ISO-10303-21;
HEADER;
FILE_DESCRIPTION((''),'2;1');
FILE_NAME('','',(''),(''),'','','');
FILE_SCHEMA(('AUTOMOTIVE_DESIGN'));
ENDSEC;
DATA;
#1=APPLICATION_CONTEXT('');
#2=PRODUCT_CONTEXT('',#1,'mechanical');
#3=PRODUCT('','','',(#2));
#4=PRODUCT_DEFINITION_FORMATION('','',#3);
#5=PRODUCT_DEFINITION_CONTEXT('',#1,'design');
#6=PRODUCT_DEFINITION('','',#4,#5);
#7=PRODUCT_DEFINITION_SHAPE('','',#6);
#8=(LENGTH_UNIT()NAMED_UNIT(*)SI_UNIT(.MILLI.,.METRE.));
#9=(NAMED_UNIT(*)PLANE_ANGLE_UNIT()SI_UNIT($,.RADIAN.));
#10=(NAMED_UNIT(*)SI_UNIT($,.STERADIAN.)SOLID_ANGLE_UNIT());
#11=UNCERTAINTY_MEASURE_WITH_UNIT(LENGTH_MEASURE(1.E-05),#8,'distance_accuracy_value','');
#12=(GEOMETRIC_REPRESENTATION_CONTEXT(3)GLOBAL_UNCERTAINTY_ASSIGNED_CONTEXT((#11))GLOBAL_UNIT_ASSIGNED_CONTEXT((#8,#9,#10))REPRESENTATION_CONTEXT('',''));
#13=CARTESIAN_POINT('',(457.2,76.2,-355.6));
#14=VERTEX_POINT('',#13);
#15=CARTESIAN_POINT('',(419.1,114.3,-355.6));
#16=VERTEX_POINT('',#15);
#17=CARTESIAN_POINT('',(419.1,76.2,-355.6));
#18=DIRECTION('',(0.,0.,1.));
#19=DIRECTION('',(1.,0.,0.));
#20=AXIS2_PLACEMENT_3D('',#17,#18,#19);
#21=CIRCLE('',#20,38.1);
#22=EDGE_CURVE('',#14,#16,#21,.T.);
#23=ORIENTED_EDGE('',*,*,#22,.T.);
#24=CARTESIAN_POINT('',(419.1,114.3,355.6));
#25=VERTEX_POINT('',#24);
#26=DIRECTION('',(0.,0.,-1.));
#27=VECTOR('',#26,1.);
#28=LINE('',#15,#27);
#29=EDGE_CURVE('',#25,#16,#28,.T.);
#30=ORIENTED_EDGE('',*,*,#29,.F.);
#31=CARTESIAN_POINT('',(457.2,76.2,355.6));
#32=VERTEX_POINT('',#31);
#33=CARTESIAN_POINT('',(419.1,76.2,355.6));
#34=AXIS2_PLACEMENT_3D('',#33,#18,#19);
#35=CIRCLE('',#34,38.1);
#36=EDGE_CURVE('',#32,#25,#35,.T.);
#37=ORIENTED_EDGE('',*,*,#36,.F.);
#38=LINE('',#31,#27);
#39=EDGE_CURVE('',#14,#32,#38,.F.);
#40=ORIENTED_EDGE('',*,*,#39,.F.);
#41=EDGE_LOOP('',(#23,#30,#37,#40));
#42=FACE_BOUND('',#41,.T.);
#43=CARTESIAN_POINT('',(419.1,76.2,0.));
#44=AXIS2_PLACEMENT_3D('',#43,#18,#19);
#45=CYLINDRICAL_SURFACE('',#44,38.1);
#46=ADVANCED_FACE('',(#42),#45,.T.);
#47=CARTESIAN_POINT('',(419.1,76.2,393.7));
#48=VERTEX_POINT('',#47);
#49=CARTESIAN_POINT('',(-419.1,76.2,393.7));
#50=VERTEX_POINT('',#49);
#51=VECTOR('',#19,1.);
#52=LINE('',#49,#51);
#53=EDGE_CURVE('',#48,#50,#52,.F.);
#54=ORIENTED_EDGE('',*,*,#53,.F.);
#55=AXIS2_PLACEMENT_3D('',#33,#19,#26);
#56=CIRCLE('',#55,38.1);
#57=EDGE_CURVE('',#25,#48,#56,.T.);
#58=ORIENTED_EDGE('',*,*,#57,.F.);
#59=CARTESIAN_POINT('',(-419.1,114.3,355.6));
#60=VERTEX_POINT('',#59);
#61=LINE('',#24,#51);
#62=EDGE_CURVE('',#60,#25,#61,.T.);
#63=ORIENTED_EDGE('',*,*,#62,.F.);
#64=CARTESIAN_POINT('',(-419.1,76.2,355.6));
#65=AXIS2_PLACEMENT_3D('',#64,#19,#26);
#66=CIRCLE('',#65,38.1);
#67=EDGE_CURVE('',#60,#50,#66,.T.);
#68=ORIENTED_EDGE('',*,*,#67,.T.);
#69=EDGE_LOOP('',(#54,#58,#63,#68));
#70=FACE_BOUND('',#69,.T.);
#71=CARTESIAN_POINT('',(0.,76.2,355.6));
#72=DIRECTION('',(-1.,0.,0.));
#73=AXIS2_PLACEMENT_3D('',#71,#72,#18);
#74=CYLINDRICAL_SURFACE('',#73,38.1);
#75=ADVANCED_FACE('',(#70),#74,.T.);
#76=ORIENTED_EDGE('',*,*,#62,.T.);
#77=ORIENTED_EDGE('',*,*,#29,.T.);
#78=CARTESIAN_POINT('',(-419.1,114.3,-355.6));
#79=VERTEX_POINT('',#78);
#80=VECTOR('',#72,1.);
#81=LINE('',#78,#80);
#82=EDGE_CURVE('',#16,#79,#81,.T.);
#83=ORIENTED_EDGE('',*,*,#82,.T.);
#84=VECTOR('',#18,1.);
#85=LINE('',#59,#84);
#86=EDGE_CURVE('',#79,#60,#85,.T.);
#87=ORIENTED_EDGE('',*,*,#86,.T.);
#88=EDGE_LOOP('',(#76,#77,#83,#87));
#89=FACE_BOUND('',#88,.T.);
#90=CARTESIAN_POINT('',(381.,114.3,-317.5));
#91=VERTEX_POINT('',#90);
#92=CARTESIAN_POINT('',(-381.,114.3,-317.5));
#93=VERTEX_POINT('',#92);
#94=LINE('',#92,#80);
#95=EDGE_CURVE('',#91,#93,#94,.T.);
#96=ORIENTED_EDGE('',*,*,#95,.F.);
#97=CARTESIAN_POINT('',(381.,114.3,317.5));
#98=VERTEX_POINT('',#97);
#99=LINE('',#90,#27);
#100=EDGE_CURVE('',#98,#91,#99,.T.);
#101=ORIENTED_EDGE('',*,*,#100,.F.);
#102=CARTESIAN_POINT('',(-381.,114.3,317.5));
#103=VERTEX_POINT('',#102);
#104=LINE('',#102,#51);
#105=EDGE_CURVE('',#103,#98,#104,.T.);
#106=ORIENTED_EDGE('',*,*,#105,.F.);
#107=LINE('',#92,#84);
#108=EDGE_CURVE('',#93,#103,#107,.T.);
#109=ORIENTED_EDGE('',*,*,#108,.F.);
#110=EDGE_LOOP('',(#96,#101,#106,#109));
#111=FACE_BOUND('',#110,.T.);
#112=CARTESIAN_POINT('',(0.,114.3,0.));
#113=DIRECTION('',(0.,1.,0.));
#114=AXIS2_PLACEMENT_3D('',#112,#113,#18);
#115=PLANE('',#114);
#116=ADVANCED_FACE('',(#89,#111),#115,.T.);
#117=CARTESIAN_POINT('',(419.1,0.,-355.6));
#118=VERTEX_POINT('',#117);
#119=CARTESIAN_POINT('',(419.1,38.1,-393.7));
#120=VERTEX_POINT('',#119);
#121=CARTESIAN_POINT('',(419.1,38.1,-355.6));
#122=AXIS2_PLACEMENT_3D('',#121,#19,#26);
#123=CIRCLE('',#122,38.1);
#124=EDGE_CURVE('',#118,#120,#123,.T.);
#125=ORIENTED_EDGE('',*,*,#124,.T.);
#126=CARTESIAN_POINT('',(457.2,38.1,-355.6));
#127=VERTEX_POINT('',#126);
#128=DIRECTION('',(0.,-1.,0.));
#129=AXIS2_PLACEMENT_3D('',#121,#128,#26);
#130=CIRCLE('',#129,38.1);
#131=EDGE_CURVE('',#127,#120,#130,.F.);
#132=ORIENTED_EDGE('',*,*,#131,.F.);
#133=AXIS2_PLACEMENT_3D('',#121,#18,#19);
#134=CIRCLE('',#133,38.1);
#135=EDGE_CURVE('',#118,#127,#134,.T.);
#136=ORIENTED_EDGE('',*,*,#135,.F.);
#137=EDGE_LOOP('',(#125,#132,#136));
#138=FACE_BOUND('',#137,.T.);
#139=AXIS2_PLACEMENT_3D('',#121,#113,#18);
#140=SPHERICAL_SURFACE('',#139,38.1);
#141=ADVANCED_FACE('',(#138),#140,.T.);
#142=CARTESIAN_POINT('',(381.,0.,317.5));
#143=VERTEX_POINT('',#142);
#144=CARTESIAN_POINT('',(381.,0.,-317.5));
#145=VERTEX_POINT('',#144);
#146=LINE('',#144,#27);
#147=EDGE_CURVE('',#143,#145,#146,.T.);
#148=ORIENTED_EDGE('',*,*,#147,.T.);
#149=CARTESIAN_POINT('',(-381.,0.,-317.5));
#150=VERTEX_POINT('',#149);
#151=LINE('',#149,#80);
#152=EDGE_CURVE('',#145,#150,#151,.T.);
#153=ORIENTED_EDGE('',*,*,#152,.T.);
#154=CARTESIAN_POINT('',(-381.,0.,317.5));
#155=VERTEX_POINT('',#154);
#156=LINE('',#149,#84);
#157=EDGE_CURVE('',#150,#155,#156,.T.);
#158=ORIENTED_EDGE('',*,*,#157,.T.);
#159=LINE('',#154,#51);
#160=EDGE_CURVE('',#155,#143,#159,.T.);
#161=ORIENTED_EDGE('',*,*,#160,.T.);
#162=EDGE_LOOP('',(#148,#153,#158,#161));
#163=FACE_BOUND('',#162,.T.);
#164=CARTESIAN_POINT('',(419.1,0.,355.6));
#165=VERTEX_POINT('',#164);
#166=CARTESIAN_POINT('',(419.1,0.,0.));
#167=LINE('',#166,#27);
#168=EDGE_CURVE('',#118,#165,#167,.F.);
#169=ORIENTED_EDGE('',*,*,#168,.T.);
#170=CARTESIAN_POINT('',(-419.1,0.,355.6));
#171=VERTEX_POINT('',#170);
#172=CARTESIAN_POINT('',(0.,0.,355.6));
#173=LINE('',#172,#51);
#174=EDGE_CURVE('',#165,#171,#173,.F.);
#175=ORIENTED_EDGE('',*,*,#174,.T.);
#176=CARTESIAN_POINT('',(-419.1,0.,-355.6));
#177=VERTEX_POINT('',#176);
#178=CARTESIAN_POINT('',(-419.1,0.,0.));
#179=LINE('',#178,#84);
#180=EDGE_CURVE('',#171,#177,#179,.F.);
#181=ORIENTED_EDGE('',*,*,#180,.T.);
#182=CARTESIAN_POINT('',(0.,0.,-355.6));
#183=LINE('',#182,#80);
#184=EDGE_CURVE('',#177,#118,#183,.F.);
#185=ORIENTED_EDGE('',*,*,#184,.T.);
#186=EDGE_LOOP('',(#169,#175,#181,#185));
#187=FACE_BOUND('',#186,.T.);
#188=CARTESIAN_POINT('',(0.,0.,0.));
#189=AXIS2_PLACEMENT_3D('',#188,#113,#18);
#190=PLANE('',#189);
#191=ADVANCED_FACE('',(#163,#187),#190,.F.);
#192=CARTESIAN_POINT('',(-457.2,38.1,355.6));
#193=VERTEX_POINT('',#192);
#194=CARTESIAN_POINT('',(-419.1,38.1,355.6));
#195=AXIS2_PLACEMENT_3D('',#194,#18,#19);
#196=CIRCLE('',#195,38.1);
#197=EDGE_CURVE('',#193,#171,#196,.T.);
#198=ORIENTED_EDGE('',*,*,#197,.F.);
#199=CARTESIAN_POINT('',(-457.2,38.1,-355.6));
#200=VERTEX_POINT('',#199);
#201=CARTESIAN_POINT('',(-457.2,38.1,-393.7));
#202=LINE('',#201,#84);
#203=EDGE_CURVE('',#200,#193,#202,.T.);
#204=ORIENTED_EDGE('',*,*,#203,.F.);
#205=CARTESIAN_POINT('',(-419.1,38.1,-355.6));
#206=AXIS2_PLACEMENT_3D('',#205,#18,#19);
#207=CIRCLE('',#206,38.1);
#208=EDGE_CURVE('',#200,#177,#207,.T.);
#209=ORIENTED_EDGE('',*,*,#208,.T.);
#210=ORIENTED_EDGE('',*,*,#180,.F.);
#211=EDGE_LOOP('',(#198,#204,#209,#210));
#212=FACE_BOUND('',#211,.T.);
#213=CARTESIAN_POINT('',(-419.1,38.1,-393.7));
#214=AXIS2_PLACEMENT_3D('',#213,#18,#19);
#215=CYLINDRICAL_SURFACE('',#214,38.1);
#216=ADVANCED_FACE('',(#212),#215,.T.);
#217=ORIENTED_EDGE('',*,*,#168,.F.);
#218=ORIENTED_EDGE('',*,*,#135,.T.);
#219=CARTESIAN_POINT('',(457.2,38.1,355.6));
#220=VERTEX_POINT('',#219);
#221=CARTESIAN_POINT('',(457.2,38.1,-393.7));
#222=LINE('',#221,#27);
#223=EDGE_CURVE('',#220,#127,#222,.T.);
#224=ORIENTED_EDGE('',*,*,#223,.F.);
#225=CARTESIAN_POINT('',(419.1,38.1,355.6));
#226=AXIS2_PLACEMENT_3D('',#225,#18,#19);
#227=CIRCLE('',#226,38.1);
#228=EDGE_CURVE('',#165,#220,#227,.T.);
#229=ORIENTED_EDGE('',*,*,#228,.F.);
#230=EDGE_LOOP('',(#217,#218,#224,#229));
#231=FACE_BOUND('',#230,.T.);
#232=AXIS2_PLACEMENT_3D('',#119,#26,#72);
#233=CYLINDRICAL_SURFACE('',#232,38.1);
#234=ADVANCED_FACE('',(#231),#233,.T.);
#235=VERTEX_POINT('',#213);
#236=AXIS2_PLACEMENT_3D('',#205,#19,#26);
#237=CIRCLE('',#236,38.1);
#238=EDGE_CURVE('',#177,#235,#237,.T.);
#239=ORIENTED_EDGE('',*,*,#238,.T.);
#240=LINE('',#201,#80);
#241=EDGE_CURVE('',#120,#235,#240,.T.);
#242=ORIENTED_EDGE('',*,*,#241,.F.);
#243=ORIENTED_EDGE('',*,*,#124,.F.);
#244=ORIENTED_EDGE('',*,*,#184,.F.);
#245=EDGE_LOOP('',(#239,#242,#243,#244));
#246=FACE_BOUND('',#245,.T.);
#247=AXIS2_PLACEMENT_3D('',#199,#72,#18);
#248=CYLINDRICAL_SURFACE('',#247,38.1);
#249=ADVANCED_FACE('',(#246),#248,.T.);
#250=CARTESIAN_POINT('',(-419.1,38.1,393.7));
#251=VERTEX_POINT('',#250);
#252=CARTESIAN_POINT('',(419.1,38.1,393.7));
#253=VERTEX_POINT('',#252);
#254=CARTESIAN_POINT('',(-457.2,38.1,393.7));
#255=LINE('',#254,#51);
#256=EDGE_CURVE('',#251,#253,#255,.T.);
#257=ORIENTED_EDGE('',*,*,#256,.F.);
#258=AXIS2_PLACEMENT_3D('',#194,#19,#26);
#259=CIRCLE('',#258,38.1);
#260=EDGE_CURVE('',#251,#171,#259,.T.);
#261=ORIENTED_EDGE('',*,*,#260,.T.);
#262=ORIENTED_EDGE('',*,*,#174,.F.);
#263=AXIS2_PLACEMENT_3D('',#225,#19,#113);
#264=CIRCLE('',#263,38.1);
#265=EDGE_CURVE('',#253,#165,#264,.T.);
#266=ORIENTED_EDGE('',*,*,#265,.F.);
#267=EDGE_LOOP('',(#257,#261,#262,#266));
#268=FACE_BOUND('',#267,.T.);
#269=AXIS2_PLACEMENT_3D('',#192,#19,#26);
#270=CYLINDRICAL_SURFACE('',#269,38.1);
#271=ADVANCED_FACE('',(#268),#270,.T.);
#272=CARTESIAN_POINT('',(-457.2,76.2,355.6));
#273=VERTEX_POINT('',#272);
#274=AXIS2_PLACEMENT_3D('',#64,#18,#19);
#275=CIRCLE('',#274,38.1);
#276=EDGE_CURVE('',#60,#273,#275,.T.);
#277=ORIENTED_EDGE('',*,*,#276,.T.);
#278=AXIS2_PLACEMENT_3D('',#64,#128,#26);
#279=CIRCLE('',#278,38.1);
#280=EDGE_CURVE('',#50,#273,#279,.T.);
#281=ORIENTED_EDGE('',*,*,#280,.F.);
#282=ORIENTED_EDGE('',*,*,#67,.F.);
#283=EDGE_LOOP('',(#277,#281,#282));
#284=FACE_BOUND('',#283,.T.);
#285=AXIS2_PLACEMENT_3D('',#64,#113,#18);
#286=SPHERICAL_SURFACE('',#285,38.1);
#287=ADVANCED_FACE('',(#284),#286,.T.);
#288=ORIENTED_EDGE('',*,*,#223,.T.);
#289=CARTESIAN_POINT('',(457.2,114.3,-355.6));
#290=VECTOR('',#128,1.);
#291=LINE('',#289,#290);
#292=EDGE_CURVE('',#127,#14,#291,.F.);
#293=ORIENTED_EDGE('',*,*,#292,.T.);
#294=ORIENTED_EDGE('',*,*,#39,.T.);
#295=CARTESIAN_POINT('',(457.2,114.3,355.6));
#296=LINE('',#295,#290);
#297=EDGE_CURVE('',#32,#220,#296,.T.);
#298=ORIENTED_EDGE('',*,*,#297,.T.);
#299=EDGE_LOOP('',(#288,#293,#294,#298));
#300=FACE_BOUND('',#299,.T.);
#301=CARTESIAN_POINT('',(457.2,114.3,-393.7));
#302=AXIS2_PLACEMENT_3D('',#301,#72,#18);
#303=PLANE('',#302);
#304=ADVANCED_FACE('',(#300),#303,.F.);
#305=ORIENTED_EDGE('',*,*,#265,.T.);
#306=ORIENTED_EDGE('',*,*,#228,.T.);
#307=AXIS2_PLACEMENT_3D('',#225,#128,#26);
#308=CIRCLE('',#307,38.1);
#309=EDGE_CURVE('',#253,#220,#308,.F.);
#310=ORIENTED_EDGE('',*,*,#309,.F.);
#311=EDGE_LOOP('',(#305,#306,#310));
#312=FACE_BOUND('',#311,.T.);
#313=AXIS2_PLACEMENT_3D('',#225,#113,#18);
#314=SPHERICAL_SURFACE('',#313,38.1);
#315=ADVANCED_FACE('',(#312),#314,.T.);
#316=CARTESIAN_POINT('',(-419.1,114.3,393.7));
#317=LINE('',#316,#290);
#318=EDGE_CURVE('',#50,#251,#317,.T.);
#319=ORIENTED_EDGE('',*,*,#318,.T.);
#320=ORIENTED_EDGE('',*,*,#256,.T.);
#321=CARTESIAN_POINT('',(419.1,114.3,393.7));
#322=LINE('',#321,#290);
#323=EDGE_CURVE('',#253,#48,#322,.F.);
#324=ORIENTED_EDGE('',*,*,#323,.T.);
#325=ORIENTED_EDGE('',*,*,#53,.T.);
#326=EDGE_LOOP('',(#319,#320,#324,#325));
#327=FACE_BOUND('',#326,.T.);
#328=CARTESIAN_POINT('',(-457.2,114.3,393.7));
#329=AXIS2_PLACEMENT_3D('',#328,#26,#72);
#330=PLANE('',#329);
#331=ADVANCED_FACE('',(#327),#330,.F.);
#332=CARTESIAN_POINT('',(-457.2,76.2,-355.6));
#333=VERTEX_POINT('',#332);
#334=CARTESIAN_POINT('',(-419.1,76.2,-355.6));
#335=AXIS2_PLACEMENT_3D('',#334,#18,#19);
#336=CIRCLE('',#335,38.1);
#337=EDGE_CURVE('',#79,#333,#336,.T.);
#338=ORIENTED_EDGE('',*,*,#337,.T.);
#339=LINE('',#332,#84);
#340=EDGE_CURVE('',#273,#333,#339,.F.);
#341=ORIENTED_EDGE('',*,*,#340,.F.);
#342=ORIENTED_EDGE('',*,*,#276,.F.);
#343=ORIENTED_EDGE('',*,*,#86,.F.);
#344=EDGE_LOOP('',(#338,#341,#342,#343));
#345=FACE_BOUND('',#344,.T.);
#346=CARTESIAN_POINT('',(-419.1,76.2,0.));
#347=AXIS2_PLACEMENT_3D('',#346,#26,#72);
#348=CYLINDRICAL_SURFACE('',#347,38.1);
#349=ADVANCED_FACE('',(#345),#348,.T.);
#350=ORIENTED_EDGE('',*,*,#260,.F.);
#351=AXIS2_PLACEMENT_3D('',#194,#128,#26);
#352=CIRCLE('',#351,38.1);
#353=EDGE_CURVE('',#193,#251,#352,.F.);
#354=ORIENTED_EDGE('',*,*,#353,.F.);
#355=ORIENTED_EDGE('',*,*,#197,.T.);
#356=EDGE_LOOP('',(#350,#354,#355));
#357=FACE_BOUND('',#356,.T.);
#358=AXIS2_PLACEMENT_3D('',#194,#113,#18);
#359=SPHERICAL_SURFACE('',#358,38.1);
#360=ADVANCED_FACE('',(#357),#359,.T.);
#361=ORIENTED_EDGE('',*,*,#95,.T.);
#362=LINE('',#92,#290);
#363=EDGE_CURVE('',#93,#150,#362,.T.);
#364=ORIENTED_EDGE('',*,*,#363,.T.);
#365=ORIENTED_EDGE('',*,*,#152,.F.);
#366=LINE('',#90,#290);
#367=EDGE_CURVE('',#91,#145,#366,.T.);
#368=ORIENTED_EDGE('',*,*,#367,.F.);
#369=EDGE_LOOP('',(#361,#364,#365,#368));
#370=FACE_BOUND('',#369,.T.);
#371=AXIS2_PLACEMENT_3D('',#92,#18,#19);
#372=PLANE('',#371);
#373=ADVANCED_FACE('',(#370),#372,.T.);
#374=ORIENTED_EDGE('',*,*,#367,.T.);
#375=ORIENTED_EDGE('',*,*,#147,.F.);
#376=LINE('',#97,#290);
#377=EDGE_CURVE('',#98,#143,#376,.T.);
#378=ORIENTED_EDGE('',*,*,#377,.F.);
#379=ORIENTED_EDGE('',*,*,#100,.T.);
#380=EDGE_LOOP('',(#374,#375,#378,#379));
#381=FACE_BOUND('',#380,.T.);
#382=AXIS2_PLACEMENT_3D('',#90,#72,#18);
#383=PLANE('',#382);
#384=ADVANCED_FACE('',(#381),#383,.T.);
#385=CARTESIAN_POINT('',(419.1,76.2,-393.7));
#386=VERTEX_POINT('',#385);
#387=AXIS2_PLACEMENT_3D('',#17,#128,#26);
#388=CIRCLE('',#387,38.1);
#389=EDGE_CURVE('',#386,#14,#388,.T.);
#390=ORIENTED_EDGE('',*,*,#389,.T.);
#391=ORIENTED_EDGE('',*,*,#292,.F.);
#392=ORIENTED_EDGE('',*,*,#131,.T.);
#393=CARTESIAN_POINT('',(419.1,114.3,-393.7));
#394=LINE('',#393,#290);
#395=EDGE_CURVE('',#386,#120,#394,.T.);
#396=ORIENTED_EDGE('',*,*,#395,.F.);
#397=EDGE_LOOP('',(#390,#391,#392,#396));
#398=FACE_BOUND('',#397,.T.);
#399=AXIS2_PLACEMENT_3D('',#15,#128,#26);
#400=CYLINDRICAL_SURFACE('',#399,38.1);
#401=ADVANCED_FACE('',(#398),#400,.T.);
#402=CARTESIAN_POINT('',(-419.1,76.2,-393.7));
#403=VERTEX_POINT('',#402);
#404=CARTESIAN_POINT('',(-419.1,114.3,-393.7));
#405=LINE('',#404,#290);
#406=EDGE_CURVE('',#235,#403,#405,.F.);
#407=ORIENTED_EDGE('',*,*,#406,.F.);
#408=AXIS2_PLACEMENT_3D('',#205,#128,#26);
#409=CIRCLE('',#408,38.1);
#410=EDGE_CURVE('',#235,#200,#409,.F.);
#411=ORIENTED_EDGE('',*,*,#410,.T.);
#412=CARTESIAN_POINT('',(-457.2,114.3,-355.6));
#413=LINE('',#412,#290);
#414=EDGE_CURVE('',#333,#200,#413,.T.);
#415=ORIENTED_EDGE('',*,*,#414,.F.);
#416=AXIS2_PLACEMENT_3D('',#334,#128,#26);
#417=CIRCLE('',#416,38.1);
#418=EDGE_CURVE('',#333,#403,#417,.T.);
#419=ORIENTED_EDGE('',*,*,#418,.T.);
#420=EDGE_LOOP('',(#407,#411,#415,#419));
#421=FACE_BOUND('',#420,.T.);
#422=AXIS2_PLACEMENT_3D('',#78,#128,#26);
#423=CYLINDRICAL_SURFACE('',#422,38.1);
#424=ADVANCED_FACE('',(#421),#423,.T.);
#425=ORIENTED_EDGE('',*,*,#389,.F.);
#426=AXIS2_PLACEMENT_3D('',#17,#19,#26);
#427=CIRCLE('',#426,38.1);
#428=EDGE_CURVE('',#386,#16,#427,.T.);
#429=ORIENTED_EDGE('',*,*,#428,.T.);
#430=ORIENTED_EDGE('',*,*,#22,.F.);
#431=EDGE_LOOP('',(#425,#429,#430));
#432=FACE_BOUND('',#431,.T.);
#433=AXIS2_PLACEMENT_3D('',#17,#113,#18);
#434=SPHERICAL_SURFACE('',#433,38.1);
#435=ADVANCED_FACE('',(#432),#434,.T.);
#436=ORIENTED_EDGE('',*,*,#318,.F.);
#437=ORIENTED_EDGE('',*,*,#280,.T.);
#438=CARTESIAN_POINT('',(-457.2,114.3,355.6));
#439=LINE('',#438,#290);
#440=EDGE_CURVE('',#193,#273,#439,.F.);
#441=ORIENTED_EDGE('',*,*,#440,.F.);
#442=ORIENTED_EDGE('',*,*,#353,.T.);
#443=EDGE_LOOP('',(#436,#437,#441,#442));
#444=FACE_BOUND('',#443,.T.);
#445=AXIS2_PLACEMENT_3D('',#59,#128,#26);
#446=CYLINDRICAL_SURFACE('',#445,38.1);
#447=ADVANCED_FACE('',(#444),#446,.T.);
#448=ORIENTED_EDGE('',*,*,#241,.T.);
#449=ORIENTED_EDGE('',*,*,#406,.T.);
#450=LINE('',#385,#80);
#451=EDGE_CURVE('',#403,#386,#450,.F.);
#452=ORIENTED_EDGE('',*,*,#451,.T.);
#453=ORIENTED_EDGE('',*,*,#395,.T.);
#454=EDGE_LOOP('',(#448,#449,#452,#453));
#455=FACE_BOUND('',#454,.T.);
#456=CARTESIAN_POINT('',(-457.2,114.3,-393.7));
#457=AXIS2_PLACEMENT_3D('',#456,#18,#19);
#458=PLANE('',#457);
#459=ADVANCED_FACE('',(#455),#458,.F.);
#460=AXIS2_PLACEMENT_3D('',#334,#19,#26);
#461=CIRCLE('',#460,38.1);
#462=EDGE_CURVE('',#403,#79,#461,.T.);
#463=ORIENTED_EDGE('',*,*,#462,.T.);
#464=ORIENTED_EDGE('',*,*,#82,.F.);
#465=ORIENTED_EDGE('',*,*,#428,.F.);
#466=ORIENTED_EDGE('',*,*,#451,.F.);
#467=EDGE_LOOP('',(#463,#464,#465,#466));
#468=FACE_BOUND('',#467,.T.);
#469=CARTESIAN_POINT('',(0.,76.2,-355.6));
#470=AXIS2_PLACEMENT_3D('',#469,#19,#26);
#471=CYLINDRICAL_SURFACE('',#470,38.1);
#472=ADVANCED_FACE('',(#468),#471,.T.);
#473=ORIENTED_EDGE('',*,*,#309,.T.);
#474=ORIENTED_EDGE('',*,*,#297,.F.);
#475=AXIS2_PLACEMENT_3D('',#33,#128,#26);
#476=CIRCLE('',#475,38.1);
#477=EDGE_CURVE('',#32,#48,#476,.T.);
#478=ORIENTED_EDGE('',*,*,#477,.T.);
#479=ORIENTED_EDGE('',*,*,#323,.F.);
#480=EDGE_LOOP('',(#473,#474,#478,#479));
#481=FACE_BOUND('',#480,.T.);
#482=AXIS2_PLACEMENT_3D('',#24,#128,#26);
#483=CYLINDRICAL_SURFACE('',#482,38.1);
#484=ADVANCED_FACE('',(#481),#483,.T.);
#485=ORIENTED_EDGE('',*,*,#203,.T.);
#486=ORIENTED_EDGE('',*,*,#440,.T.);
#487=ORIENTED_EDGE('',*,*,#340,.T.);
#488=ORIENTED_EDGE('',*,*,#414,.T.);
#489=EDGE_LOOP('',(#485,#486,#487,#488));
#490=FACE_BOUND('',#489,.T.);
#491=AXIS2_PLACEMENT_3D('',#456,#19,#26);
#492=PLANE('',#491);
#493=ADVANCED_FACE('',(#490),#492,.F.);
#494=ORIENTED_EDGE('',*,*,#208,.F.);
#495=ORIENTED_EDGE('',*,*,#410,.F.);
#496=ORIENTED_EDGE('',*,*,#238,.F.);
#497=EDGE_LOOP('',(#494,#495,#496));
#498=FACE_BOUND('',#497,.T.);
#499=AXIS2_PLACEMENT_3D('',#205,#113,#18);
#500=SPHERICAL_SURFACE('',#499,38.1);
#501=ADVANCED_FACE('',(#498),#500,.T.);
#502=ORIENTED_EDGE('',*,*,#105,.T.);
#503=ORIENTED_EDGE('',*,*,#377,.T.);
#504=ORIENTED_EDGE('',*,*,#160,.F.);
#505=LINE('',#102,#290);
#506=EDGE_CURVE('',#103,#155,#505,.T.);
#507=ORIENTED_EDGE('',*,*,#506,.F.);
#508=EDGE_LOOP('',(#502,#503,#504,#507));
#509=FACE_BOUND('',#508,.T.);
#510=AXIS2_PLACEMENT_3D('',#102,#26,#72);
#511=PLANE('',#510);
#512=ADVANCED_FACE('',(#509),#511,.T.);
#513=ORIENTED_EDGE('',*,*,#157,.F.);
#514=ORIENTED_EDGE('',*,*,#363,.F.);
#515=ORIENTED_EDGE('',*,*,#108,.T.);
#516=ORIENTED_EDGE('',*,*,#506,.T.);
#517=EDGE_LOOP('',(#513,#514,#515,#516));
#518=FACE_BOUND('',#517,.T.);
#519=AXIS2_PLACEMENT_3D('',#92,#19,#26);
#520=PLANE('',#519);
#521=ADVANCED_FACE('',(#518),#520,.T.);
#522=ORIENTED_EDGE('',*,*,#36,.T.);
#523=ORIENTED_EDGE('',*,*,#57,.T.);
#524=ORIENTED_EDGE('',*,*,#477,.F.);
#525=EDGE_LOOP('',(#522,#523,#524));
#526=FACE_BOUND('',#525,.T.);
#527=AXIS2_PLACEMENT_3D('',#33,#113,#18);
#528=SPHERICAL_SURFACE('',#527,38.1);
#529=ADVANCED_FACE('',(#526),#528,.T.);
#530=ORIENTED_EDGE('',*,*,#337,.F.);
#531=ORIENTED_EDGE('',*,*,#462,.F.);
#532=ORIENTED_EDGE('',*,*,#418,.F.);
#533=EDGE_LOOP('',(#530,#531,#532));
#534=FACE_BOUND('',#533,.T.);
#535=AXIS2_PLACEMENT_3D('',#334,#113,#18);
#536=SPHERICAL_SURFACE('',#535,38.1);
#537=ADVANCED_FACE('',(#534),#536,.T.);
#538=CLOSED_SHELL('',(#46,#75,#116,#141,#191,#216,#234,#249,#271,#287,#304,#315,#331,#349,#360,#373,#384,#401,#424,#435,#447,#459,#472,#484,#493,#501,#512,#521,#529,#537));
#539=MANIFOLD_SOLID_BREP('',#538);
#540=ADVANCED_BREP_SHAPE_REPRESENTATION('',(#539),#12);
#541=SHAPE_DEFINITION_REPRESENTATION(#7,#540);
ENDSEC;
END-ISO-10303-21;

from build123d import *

# Parameters (mm, degrees)
SKETCH1_W           = 914.4
SKETCH1_H           = 787.4
SKETCH1_W_2         = 762
SKETCH1_H_2         = 635
BOSS_EXTRUDE1_DEPTH = 114.3
FILLET2_R           = 38.1
FILLET3_R           = 38.1
FILLET4_R           = 38.1


with BuildPart() as part:
    # Sketch1 → Boss-Extrude1 (new body)
    with BuildSketch(Plane(origin=(0, 0, 0), x_dir=(1, 0, 0), z_dir=(0, 1, 0))):
        Rectangle(SKETCH1_W, SKETCH1_H)
        Rectangle(SKETCH1_W_2, SKETCH1_H_2, mode=Mode.SUBTRACT)
    extrude(amount=BOSS_EXTRUDE1_DEPTH)

    # Fillet2
    fillet2_edges = [part.edges().sort_by_distance(p)[0] for p in [
        (457.2, 57.15, 393.7),
        (-457.2, 57.15, 393.7),
        (-457.2, 57.15, -393.7),
        (457.2, 57.15, -393.7),
    ]]
    fillet(fillet2_edges, radius=FILLET2_R)

    # Fillet3
    fillet3_edges = [part.edges().sort_by_distance(p)[0] for p in [
        (457.2, 114.3, 0),
        (0, 114.3, 393.7),
        (0, 114.3, -393.7),
        (-457.2, 114.3, 0),
        (446.040768363, 114.3, -382.540768363),
        (-446.040768363, 114.3, -382.540768363),
        (-446.040768363, 114.3, 382.540768363),
        (446.040768363, 114.3, 382.540768363),
    ]]
    fillet(fillet3_edges, radius=FILLET3_R)

    # Fillet4
    fillet4_edges = [part.edges().sort_by_distance(p)[0] for p in [
        (457.2, 0, 0),
        (0, 0, 393.7),
        (-457.2, 0, 0),
        (0, 0, -393.7),
        (446.040768363, 0, -382.540768363),
        (-446.040768363, 0, -382.540768363),
        (-446.040768363, 0, 382.540768363),
        (446.040768363, 0, 382.540768363),
    ]]
    fillet(fillet4_edges, radius=FILLET4_R)


solid = part.part
